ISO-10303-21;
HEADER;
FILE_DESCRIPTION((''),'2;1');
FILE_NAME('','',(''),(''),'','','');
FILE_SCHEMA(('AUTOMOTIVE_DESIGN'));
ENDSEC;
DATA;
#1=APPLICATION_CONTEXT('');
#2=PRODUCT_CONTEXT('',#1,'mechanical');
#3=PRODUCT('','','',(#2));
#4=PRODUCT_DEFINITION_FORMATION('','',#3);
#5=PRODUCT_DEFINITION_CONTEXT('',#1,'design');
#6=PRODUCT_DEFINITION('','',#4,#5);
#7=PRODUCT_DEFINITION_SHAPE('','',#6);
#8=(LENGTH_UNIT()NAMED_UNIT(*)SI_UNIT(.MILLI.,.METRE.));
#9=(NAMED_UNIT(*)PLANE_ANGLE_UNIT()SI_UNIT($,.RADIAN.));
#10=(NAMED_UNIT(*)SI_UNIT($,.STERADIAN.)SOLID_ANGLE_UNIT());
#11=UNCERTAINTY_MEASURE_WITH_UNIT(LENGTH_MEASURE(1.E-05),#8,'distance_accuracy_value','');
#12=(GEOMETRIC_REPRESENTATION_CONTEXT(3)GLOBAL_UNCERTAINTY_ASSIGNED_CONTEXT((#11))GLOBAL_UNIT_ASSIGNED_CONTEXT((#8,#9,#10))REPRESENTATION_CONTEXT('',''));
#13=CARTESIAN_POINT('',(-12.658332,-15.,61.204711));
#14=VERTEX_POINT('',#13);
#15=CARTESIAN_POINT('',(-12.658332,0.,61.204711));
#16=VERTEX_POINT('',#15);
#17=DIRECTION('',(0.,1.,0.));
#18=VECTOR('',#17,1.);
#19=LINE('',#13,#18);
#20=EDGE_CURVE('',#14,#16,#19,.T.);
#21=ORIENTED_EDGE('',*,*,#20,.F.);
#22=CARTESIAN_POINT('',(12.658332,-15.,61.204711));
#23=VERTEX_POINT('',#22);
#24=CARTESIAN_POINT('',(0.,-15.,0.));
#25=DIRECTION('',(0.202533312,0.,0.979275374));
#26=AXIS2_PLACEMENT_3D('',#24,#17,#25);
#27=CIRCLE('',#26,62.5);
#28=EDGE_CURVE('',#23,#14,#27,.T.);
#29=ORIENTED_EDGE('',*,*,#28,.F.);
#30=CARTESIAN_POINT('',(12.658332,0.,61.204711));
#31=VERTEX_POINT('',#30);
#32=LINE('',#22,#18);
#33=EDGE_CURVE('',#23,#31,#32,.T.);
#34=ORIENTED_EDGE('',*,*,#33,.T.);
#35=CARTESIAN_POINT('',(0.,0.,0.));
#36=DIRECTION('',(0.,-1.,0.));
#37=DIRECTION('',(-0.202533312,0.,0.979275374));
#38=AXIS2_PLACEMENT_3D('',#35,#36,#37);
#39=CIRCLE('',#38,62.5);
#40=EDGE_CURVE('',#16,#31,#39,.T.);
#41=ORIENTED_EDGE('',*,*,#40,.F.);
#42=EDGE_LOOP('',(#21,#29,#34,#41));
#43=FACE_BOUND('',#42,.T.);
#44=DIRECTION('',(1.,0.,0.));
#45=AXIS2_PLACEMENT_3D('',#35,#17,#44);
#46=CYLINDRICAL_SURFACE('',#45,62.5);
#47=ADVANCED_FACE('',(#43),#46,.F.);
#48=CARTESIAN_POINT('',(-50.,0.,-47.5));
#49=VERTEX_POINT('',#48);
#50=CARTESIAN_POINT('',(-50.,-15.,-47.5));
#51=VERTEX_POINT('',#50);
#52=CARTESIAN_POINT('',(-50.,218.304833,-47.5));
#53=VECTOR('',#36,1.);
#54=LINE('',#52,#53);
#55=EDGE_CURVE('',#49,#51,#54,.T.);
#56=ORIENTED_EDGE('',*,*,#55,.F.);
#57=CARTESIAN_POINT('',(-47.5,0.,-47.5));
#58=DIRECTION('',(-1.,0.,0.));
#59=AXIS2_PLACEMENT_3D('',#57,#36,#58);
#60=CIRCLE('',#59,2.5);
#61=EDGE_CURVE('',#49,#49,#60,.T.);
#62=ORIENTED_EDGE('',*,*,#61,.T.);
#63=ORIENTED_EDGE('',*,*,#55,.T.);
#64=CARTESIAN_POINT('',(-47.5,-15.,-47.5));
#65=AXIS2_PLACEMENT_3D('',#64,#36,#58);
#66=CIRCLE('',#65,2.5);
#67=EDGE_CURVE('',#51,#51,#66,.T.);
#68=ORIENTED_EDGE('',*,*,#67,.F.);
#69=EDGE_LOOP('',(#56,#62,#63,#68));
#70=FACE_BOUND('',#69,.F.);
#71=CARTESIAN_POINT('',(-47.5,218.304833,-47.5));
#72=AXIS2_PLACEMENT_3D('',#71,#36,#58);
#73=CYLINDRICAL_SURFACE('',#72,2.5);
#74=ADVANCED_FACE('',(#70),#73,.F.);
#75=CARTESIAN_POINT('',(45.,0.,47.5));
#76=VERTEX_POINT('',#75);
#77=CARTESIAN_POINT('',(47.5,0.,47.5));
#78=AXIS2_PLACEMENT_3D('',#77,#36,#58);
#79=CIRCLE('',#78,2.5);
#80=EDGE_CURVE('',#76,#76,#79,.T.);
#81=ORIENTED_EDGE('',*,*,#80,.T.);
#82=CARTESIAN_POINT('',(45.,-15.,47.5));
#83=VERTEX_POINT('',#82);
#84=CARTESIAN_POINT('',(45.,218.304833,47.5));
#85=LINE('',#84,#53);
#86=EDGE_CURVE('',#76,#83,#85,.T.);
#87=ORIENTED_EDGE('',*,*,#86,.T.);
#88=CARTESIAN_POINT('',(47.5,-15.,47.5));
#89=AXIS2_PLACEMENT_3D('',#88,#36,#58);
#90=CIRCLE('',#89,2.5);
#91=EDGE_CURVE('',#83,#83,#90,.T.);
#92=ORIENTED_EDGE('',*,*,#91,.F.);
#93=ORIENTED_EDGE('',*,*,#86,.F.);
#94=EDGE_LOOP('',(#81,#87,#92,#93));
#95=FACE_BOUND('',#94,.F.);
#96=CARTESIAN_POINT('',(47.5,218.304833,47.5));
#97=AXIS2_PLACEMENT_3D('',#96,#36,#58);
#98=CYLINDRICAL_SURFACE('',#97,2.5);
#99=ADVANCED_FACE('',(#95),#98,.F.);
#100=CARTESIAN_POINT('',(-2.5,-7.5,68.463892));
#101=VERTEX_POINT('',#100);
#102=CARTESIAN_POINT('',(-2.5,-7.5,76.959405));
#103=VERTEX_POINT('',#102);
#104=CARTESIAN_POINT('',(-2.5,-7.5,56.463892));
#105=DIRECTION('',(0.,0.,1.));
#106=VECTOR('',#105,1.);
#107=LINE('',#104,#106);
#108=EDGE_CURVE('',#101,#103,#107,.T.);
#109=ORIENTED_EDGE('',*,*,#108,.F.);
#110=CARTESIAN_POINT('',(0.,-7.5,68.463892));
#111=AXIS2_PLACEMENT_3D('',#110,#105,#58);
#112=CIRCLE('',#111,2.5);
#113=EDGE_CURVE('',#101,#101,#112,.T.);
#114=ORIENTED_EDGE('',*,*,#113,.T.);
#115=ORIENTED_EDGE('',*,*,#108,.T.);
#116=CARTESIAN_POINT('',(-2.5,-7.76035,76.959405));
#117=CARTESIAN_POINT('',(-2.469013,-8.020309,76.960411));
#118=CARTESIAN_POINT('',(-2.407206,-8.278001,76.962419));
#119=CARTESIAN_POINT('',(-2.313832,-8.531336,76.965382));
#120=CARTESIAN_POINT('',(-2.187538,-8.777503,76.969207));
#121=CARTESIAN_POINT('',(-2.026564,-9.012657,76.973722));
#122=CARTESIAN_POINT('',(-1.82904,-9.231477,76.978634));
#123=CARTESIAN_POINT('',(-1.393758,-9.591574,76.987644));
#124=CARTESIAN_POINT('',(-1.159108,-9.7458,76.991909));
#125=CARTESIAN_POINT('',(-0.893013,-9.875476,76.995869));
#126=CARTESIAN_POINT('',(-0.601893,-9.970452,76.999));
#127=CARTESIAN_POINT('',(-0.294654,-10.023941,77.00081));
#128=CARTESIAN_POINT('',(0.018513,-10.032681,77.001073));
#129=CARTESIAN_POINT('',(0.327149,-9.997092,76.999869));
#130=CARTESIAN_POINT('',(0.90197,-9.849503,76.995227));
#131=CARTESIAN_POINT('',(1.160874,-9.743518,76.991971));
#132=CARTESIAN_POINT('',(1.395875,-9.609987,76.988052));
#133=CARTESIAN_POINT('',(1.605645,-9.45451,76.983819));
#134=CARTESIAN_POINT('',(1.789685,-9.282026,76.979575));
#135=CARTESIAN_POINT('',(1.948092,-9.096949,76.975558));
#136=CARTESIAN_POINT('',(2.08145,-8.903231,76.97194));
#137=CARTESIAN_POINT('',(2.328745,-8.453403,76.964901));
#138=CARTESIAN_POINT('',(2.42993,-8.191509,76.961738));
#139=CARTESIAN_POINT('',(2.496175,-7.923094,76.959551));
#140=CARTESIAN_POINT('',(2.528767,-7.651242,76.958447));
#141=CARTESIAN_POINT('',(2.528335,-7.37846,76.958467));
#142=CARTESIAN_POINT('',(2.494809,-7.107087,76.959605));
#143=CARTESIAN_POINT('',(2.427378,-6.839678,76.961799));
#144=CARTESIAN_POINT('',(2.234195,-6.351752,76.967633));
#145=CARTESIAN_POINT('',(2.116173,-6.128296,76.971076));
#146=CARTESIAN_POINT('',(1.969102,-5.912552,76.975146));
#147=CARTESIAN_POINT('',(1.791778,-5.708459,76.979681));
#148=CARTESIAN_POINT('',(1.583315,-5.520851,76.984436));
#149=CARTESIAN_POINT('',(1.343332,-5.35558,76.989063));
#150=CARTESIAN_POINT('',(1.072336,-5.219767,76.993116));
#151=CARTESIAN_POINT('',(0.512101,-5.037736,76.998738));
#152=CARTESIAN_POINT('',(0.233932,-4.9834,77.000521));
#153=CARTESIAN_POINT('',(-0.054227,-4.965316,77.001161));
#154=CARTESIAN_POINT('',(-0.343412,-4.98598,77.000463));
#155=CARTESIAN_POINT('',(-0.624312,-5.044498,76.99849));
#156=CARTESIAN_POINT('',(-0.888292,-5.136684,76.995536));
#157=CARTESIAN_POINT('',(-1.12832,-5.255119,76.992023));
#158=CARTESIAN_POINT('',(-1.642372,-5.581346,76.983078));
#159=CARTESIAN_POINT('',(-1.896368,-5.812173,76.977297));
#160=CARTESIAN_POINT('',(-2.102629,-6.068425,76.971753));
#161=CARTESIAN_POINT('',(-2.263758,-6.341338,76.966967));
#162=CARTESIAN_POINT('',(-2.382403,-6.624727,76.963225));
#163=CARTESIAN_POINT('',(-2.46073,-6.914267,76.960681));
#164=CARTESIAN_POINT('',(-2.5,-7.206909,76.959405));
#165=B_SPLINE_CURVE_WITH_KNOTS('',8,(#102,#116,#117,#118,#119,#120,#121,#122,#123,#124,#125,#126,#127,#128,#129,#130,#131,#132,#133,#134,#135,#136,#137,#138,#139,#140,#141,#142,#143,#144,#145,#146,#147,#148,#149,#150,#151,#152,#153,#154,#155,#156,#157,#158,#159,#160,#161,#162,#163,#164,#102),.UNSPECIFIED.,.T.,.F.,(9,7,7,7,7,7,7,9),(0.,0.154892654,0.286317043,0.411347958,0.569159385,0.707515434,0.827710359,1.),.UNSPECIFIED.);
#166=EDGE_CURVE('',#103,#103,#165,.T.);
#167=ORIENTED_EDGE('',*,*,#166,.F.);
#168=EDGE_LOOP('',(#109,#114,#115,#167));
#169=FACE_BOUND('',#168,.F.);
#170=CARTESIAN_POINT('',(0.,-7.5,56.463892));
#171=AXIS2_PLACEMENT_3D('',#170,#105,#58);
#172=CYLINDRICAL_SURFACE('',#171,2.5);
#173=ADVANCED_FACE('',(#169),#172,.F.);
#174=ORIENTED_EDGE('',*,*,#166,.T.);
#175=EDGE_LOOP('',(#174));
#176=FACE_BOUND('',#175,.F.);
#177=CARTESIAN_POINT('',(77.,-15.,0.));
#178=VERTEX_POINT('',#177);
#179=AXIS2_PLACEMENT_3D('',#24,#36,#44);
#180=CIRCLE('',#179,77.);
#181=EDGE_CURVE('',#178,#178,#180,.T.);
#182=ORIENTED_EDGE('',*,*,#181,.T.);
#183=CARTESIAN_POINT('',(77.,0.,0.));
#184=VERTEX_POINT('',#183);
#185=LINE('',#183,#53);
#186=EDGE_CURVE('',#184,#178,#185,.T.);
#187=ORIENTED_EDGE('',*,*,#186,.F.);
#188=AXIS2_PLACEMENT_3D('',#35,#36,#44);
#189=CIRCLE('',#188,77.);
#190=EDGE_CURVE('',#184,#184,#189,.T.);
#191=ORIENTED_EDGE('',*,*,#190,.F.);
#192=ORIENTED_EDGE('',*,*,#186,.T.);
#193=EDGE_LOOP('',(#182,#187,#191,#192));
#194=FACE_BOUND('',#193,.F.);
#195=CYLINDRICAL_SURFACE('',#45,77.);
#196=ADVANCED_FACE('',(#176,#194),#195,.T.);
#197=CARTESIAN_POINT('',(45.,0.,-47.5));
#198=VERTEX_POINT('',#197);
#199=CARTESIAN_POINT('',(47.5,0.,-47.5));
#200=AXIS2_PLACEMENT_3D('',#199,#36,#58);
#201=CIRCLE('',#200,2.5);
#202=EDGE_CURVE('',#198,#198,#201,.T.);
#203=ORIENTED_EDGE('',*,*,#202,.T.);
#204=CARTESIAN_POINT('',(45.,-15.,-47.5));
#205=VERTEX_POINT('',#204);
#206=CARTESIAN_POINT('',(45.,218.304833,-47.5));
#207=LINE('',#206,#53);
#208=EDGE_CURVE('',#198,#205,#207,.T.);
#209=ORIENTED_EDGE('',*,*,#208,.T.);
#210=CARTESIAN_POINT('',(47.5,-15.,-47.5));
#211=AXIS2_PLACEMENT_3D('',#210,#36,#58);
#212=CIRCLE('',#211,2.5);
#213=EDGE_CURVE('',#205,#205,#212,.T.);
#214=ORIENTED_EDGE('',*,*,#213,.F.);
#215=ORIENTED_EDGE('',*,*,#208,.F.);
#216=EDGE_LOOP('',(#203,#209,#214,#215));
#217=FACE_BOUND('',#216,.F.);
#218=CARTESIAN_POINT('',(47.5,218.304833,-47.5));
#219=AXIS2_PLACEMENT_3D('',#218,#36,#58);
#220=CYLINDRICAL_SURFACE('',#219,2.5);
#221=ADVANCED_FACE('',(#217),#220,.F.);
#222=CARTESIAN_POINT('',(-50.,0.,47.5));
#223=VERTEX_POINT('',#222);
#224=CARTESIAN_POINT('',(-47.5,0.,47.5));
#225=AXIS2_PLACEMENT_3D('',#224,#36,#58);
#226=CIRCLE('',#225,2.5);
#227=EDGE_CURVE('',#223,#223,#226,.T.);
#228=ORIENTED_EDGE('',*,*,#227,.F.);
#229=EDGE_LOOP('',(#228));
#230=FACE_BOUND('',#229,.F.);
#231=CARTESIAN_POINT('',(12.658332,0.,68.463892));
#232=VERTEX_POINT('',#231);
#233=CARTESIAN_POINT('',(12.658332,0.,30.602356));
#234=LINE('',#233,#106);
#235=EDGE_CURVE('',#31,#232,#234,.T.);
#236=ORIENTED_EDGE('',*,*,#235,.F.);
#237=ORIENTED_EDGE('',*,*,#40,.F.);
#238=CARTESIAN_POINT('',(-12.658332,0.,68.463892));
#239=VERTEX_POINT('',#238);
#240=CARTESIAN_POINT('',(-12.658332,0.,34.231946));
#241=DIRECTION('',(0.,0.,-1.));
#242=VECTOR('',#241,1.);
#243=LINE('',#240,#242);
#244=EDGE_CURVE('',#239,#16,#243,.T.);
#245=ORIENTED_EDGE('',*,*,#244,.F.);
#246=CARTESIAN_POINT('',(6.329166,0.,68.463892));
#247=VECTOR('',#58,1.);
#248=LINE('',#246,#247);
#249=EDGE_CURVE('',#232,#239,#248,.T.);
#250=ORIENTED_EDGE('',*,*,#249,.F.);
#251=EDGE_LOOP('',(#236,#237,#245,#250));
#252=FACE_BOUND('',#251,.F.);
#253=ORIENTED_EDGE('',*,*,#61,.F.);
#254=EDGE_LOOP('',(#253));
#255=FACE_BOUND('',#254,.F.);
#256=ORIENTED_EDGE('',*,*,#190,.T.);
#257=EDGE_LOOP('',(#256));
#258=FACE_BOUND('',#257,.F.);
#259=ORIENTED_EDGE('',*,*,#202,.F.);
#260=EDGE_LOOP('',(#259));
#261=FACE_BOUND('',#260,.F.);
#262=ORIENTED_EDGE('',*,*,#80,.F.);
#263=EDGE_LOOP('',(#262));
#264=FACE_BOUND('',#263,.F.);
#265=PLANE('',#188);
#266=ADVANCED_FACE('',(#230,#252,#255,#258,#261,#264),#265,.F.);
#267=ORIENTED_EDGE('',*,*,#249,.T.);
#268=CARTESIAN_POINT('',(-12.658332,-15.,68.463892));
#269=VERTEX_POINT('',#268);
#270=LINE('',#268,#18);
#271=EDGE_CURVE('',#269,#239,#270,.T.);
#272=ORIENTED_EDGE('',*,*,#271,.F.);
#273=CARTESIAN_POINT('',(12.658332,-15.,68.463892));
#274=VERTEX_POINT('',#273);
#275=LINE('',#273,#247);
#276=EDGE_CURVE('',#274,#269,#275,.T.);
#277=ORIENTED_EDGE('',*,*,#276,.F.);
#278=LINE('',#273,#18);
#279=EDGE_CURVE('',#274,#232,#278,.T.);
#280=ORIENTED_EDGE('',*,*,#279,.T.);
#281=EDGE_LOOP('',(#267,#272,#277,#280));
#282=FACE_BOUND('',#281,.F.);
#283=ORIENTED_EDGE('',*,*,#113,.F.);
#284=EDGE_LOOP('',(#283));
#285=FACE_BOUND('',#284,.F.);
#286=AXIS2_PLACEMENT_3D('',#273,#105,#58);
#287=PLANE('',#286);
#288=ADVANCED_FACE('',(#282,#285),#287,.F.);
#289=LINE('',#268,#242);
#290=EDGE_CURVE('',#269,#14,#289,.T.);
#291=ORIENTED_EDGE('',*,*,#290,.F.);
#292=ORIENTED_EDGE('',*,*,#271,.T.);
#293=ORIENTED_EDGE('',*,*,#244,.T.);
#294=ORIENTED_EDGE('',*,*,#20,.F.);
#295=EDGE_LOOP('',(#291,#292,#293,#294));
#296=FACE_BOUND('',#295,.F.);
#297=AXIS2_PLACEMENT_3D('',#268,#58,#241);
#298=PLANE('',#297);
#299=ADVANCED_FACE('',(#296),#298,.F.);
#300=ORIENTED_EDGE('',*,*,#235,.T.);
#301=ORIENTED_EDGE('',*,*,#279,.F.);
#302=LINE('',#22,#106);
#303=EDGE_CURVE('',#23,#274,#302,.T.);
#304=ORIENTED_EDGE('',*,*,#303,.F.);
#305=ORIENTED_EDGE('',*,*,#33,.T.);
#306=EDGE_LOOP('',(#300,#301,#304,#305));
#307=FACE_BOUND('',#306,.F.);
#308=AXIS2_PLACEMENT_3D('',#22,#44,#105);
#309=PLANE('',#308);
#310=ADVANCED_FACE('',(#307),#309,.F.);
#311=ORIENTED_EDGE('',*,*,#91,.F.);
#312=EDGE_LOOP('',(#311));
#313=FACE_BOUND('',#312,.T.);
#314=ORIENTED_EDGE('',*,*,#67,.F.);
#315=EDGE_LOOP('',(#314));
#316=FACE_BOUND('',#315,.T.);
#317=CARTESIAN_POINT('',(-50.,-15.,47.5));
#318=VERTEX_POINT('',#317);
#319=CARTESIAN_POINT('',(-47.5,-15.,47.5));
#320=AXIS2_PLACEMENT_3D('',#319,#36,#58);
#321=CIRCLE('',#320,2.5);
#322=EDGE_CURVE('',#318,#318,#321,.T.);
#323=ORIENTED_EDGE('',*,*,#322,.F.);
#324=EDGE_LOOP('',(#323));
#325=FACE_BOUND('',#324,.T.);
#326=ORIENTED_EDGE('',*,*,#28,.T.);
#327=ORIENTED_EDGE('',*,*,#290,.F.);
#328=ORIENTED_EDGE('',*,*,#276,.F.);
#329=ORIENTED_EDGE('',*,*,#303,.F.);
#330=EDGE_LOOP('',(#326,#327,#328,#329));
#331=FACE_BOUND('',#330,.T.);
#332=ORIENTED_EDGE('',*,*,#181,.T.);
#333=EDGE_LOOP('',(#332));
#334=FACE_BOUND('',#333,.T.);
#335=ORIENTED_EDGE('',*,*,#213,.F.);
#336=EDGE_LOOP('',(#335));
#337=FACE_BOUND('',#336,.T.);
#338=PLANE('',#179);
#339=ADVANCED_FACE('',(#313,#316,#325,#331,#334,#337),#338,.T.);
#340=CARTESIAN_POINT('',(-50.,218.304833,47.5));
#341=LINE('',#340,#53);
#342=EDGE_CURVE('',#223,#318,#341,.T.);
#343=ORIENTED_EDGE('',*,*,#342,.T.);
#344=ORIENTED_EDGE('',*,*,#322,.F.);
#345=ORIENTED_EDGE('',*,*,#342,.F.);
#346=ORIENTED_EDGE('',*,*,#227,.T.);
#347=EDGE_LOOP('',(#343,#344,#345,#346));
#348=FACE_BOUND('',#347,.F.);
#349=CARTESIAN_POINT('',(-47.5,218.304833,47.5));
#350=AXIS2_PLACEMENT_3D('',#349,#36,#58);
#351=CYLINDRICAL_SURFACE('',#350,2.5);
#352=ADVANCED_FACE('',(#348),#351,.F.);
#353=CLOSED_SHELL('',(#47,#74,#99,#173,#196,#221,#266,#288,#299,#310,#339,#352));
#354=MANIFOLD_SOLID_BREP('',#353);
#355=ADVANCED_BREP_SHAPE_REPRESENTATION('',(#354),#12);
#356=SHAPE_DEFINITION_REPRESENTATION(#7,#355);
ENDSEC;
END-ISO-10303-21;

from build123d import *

# Parameters (mm, degrees)
F0_R     = 77
F0_R_2   = 62.5
F1_DEPTH = 15
F3_D     = 5
F5_DEPTH = 25
F7_D     = 5
F7_DEPTH = 12


with BuildPart() as f1:
    # F0 (on Front) → F1 (new body)
    with BuildSketch(Plane.XZ):
        Circle(F0_R)
        Circle(F0_R_2, mode=Mode.SUBTRACT)
    extrude(amount=F1_DEPTH)

    # F3 (through all)
    with Locations(Plane(origin=(0, 0, 0), x_dir=(1, 0, 0), z_dir=(0, 1, 0))):
        with Locations((-47.5, 47.5), (47.5, 47.5), (47.5, -47.5), (-47.5, -47.5)):
            Hole(F3_D / 2)

    # F4 (on face) → F5 (cut)
    with BuildSketch(Plane.XZ.offset(15)):
        with BuildLine():
            Line((12.658332, 68.463892), (-12.658332, 68.463892))
            Line((-12.658332, 68.463892), (-12.658332, 61.204711))
            ThreePointArc((-12.658332, 61.204711), (0, 62.5), (12.658332, 61.204711))
            Line((12.658332, 61.204711), (12.658332, 68.463892))
        make_face()
    extrude(amount=-F5_DEPTH, mode=Mode.SUBTRACT)

    # F7
    with Locations(Plane(origin=(0, 0, 68.463892), x_dir=(1, 0, 0), z_dir=(0, 0, -1))):
        with Locations((0, 7.5)):
            Hole(F7_D / 2, depth=F7_DEPTH)


solid = f1.part
